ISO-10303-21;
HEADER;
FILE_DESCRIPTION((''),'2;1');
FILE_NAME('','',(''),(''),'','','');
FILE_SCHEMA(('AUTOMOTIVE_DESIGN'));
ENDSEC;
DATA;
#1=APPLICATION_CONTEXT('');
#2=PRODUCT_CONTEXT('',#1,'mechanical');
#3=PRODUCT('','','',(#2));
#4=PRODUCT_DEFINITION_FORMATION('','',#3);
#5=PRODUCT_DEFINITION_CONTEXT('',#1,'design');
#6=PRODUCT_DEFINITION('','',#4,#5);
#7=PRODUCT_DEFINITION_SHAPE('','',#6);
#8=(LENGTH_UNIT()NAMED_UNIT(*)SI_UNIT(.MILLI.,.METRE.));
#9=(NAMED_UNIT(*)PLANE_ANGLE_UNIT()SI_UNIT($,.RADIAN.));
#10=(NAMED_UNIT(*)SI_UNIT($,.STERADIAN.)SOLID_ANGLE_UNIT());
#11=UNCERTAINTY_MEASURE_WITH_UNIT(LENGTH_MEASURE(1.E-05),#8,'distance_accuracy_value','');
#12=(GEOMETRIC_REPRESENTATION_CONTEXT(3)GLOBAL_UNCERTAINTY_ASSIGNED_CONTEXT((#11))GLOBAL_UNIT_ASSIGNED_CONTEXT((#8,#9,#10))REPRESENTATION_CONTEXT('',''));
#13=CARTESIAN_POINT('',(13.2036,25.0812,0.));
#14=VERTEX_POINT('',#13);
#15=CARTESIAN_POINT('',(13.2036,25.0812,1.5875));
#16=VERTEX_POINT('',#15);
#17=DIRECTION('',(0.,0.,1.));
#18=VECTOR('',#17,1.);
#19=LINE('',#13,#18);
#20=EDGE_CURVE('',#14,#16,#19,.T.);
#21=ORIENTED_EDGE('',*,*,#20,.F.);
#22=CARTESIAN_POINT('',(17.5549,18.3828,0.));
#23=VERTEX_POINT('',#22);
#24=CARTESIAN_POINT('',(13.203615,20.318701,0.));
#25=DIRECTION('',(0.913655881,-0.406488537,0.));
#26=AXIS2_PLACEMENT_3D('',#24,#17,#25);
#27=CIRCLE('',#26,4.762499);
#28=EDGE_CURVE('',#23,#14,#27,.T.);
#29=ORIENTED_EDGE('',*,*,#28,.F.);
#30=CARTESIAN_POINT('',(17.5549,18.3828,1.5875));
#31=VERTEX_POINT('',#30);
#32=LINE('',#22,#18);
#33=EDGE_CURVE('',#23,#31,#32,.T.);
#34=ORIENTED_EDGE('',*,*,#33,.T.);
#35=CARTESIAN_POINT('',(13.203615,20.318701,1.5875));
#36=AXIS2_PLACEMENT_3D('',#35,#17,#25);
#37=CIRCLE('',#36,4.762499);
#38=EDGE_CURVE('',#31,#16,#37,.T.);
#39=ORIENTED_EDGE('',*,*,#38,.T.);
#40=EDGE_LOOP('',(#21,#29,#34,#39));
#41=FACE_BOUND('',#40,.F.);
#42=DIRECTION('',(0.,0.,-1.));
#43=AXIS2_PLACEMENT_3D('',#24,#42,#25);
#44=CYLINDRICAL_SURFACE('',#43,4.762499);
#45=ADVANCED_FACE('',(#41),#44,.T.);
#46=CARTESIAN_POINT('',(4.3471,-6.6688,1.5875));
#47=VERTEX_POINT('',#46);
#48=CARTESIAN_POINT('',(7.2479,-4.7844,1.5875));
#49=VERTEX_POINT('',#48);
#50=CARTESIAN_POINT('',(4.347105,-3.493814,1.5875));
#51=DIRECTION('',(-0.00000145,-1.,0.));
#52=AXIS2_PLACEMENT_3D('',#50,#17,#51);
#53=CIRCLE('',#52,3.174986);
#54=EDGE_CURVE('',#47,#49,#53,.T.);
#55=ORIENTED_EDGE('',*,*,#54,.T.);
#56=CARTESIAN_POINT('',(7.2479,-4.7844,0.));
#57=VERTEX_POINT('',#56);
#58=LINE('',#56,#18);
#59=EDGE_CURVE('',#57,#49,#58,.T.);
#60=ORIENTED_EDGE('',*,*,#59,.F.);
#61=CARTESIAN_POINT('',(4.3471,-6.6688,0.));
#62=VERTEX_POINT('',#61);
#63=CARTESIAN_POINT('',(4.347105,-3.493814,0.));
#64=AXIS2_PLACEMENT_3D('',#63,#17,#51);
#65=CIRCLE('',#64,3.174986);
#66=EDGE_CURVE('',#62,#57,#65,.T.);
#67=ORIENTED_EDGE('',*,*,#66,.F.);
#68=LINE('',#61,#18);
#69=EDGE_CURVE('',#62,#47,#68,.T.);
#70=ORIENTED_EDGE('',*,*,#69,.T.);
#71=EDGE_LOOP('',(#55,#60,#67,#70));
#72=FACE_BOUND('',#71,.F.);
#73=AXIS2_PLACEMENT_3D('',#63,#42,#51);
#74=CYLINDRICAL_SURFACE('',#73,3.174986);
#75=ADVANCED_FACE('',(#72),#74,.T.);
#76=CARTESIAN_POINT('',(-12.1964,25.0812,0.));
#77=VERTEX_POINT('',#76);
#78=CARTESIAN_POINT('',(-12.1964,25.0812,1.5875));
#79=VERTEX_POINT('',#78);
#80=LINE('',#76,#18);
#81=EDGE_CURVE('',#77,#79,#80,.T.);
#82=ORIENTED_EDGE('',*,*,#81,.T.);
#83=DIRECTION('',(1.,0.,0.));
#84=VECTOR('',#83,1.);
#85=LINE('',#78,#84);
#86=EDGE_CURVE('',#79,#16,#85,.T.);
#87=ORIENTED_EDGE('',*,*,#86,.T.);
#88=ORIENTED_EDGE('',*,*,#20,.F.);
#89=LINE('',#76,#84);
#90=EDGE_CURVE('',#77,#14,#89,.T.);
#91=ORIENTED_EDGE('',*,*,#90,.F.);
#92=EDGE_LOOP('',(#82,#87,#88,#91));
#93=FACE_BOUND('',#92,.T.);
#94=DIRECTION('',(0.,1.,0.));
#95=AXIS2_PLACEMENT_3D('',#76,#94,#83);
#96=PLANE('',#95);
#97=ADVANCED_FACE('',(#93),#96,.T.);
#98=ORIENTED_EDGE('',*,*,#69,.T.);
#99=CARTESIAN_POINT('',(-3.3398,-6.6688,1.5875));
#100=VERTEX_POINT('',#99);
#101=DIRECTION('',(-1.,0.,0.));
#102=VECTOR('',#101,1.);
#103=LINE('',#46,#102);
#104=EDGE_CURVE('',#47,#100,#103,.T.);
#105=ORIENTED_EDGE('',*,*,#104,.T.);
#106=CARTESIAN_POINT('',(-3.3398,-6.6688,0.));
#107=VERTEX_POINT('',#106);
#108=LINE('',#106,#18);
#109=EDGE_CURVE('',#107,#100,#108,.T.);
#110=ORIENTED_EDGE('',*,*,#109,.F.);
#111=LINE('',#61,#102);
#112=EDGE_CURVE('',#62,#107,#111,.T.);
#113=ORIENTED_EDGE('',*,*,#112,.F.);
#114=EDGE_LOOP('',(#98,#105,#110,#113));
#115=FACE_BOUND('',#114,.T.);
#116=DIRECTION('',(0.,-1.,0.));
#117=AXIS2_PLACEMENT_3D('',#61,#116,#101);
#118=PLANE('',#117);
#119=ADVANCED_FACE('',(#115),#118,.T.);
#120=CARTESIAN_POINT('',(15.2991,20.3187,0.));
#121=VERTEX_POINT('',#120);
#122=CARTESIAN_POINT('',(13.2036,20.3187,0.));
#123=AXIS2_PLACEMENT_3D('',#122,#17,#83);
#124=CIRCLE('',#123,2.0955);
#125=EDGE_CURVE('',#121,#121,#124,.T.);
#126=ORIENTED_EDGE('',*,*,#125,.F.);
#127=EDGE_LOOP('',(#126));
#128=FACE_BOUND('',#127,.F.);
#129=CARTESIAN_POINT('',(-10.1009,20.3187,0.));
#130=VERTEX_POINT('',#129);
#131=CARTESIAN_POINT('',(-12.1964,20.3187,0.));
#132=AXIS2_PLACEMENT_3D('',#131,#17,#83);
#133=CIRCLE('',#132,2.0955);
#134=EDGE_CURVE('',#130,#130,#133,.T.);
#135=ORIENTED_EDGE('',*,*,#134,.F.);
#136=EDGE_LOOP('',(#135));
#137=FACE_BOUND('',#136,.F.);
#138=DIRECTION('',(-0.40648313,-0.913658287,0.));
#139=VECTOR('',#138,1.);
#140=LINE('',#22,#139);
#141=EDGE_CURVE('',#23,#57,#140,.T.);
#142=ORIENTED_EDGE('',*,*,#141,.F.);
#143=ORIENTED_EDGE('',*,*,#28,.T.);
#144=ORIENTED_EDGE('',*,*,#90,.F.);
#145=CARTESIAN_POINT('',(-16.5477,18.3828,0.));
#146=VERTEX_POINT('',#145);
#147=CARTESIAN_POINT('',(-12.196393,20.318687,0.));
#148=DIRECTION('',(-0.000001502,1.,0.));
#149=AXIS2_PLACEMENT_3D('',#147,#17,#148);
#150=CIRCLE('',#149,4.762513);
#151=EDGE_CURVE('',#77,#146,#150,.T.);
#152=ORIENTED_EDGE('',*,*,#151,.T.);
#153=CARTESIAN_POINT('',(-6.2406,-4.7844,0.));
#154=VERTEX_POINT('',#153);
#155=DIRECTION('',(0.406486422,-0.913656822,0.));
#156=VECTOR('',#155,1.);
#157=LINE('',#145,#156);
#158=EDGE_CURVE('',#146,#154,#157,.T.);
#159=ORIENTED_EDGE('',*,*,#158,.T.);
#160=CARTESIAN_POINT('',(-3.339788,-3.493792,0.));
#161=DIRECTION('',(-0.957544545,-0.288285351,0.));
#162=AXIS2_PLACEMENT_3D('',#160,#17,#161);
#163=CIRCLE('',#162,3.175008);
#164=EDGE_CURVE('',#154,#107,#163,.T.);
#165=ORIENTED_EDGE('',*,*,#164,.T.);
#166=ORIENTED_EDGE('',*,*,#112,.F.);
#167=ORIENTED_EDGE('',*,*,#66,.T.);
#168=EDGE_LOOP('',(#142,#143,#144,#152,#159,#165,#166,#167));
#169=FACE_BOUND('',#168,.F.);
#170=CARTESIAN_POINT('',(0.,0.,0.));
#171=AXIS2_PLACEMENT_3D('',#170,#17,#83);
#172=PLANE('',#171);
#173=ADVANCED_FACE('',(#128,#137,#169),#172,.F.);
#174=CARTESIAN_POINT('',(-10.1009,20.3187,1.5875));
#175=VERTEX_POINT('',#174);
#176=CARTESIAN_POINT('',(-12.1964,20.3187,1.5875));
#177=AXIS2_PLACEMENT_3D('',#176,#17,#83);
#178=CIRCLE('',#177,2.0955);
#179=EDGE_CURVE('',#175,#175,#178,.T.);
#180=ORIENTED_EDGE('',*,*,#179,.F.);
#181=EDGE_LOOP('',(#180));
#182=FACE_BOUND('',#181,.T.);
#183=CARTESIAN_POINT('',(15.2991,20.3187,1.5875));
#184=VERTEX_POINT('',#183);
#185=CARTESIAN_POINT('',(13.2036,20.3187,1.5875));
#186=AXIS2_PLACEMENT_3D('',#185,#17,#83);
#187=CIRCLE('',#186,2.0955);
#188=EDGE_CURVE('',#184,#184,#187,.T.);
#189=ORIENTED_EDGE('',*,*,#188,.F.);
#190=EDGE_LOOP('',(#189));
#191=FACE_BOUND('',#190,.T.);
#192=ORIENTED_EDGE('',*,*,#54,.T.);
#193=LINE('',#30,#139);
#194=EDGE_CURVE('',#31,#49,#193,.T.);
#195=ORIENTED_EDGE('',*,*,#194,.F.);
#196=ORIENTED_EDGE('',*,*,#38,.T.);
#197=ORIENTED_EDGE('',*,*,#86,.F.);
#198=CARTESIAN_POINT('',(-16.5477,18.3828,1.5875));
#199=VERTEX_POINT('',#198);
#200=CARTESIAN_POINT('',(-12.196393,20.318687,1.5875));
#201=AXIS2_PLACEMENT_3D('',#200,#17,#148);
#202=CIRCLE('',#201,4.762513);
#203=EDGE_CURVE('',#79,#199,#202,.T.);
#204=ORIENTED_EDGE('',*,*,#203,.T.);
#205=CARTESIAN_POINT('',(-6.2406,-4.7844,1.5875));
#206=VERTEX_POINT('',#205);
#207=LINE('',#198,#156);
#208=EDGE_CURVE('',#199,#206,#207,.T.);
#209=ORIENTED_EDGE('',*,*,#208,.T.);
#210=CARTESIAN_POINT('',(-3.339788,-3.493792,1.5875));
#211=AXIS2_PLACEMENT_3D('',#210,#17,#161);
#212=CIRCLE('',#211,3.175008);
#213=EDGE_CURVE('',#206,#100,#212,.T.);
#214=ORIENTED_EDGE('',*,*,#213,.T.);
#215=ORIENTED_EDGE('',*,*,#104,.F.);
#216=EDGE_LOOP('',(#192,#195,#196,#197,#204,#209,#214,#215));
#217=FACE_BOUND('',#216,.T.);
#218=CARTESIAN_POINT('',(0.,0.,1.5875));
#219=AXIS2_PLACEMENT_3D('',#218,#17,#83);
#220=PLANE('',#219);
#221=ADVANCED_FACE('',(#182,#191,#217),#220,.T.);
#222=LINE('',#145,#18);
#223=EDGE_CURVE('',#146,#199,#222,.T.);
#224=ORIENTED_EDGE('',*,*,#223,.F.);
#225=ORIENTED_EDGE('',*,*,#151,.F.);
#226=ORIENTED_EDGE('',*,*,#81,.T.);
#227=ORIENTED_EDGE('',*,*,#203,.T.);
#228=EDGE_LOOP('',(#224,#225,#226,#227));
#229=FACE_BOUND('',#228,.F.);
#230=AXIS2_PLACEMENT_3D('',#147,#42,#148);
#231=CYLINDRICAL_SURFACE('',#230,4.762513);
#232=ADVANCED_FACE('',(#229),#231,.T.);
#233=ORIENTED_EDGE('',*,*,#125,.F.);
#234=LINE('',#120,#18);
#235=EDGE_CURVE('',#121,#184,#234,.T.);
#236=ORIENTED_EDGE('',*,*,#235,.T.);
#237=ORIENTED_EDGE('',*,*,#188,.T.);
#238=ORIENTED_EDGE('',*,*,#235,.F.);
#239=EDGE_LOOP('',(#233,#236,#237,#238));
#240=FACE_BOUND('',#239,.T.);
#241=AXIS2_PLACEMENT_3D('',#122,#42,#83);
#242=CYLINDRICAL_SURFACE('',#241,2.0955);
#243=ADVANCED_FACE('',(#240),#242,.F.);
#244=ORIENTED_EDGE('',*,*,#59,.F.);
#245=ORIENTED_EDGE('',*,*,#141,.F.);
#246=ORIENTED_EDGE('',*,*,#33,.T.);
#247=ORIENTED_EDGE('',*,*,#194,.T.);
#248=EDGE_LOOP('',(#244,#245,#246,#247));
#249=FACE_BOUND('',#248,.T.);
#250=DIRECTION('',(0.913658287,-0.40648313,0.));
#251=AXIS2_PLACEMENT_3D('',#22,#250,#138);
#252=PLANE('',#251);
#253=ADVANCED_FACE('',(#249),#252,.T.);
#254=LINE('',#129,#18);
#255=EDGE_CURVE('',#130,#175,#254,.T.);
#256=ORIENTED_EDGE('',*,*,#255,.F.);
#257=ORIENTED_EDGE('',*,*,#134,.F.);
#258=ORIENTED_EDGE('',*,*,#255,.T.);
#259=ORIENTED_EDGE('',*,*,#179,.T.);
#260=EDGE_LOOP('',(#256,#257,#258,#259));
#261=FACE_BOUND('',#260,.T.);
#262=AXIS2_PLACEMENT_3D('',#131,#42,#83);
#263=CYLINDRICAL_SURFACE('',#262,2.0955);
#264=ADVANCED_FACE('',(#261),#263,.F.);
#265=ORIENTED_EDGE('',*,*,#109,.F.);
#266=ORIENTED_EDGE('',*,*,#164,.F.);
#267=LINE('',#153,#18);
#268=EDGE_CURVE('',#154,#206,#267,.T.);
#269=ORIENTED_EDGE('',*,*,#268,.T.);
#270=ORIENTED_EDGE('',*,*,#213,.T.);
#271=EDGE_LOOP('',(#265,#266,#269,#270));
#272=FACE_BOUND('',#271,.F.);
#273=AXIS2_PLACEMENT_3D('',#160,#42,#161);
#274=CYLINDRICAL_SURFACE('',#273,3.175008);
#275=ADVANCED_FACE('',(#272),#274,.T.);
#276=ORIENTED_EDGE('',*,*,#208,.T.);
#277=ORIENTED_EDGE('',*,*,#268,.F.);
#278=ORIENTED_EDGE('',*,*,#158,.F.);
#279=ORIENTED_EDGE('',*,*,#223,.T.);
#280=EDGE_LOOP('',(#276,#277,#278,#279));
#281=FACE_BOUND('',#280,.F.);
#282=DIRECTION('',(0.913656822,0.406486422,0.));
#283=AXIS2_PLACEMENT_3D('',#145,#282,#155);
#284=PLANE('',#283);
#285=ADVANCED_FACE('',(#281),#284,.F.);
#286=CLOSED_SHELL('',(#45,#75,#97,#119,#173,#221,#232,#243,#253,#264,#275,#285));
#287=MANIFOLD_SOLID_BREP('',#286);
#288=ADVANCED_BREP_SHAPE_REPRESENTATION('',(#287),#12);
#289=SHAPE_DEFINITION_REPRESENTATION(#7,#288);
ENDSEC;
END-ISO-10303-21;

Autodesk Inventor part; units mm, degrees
ref_plane "YZ Plane" through (0, 0, 0) normal (1, 0, 0) x (0, 1, 0)
ref_plane "XZ Plane" through (0, 0, 0) normal (0, 1, 0) x (-1, 0, 0)
ref_plane "XY Plane" through (0, 0, 0) normal (0, 0, 1) x (1, 0, 0)
sketch "Sketch1" plane through (0, 0, 0) normal (0, 0, 1) x (1, 0, 0)
  circle A0 centre (13.2036, 20.3187) radius 2.0955
  circle A1 centre (-12.1964, 20.3187) radius 2.0955
  line L0 (4.3471, -6.6688) -> (-3.3398, -6.6688)
  arc A2 (4.3471, -6.6688) -> (7.3873, -4.4091) centre (4.3471, -3.4938) ccw
  arc A3 (-6.38, -4.4091) -> (-3.3398, -6.6688) centre (-3.3398, -3.4938) ccw
  line L1 (-16.5477, 18.3828) -> (-6.2406, -4.7844)
  line L2 (17.5549, 18.3828) -> (7.2479, -4.7844)
  arc A4 (-12.1964, 25.0812) -> (-16.5477, 18.3828) centre (-12.1964, 20.3187) ccw
  arc A5 (17.5549, 18.3828) -> (13.2036, 25.0812) centre (13.2036, 20.3187) ccw
  line L3 (-12.1964, 25.0812) -> (13.2036, 25.0812)
  point P0 (0, 0)
  point P1 (-12.1964, 25.0812)
  point P2 (17.4758, 18.214)
  point P3 (-16.4686, 18.214)
  dimension "d1" = 3.175
  dimension "d8" = 4.191
  dimension "d9" = 4.191
  dimension "d25" = 9.525
  dimension "d26" = 9.525
  dimension "d28" = 31.75
extrude "Extrusion1" add sketch "Sketch1" along normal blind 1.5875
equation "\"BendRadius\" = Thickness"
equation "\"BendReliefWidth\" = Thickness"
equation "\"BendReliefDepth\" = 0.5 * Thickness"
equation "\"CornerReliefSize\" = 4 * Thickness"
equation "\"MinimumRemnant\" = 2 * Thickness"
equation "\"TransitionRadius\" = BendRadius"
equation "\"JacobiRadiusSize\" = BendRadius"
equation "\"GapSize\" = Thickness"
equation "\"Thickness\" = 1.5875"
properties part number "Flap Gusset" material "Acetal Resin, White"
